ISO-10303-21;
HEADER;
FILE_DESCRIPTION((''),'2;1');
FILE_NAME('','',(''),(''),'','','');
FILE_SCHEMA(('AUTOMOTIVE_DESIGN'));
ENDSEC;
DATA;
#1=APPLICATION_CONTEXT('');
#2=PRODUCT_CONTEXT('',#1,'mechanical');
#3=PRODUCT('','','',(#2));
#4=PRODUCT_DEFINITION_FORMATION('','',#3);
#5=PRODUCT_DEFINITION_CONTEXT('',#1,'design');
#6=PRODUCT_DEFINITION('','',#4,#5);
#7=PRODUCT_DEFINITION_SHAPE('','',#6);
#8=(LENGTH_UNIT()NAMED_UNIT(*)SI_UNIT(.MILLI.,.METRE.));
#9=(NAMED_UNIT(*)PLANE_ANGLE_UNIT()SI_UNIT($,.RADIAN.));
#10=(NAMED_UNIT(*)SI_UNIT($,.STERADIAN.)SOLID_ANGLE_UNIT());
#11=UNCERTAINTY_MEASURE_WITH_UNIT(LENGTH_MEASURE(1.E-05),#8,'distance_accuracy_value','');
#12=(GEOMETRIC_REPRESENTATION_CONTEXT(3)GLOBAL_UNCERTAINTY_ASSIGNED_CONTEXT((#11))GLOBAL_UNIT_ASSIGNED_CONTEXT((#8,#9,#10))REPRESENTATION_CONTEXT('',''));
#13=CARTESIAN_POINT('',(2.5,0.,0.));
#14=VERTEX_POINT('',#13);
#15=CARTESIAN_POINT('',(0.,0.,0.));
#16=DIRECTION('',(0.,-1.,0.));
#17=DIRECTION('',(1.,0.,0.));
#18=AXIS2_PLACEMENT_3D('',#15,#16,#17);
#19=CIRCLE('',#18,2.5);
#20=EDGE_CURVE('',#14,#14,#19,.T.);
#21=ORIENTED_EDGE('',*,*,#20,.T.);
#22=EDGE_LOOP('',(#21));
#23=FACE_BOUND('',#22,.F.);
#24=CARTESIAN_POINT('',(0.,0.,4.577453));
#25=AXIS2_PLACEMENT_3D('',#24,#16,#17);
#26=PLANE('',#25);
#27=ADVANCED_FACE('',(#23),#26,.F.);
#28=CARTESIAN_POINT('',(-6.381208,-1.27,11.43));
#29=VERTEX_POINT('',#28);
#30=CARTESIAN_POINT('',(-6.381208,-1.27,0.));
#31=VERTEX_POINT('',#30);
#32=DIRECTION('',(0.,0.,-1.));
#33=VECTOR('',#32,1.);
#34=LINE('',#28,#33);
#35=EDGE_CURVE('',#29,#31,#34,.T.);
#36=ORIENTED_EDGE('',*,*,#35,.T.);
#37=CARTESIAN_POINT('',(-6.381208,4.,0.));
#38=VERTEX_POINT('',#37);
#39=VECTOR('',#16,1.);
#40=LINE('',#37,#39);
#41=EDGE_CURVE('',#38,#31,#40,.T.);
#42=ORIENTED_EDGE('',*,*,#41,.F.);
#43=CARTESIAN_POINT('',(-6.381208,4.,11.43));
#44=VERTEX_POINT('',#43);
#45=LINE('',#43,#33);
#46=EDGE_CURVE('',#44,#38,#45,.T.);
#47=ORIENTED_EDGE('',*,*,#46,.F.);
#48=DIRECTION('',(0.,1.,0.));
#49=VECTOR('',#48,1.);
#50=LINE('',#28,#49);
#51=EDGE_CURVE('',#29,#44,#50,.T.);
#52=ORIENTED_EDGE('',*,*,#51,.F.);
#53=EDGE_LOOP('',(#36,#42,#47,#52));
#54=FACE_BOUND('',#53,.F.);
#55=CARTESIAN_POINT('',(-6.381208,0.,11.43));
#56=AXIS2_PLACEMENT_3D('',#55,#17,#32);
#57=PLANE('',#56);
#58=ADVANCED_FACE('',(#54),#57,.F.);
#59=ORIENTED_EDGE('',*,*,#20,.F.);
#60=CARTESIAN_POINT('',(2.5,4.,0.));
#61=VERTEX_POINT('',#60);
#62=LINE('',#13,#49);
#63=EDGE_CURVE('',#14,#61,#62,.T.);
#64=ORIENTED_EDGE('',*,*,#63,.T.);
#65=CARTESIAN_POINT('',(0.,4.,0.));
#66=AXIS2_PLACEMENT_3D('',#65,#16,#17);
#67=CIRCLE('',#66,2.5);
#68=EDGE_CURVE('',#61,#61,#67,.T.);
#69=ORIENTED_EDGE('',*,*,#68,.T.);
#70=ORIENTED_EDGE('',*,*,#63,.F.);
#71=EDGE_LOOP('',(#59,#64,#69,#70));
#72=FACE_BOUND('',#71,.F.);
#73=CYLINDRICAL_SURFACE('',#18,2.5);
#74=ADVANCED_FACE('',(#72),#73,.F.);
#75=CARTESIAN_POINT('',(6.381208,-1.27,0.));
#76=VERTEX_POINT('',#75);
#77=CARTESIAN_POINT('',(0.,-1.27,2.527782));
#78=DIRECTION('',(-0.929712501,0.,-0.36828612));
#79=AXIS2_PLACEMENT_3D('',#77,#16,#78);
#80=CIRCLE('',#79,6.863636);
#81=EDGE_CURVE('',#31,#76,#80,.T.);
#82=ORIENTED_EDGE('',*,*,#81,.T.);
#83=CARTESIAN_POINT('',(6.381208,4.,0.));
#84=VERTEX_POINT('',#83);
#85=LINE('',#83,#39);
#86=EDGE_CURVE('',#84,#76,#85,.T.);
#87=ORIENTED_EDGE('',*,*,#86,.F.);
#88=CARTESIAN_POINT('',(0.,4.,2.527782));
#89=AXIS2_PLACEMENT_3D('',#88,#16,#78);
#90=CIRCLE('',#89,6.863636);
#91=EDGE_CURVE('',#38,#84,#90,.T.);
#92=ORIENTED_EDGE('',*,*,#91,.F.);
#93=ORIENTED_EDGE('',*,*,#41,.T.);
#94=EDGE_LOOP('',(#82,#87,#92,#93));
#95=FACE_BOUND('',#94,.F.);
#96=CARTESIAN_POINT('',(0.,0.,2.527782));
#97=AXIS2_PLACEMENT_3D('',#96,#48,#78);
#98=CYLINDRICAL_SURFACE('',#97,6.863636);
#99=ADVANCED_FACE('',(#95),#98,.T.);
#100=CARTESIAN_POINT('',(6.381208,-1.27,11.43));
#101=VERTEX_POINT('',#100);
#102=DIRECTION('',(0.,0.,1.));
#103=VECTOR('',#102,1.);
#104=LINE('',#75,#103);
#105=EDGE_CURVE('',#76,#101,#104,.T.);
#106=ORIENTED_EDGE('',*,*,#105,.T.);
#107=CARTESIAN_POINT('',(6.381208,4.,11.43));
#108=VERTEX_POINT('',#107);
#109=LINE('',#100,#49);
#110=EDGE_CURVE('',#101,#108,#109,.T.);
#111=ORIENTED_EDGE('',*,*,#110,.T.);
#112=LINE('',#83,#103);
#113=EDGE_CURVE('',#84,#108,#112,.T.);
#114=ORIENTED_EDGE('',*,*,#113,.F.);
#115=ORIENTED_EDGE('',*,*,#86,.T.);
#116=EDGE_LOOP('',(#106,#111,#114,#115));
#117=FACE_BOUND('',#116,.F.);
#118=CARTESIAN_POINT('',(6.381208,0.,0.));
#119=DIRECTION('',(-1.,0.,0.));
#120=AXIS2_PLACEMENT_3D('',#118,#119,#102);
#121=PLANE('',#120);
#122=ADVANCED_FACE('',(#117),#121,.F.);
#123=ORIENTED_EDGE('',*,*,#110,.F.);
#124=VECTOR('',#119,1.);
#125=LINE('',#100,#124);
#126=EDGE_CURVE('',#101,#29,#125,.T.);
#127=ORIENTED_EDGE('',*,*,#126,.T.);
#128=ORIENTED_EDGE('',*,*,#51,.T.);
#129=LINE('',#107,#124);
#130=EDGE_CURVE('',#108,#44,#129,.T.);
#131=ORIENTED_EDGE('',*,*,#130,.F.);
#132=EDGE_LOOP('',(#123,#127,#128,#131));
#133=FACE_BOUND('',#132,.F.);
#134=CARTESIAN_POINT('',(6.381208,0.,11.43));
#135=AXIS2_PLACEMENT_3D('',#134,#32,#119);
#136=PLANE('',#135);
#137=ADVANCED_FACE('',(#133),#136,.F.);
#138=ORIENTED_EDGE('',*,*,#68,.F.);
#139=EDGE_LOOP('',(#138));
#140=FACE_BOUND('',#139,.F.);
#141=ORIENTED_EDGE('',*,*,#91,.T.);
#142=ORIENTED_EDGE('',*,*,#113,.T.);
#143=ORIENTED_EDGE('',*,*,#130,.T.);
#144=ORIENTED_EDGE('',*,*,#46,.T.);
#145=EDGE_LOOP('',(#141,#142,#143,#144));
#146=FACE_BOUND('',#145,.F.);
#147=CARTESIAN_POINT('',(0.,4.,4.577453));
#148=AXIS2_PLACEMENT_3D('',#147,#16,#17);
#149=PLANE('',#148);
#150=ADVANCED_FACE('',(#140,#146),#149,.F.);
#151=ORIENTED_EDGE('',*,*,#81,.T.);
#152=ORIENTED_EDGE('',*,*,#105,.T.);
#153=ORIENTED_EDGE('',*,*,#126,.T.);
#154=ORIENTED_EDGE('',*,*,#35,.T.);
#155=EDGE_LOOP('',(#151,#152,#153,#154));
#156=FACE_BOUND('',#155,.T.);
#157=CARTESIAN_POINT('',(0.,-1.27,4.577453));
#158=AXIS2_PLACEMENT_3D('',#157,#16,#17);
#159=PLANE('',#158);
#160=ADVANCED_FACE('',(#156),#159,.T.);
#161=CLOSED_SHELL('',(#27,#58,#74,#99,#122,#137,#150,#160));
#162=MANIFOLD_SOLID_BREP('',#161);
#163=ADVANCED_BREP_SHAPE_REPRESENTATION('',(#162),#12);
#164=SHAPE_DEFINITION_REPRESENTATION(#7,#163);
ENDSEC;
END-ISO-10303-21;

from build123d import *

# Parameters (mm, degrees)
F0_R     = 2.5
F1_DEPTH = 4
F2_DEPTH = 1.27


with BuildPart() as f1:
    # F0 (on Front) → F1 (new body)
    with BuildSketch(Plane.XZ):
        with BuildLine():
            Line((-6.381208, 11.43), (-6.381208, 0))
            ThreePointArc((-6.381208, 0), (0, -4.335854), (6.381208, 0))
            Line((6.381208, 0), (6.381208, 11.43))
            Line((6.381208, 11.43), (-6.381208, 11.43))
        make_face()
        Circle(F0_R, mode=Mode.SUBTRACT)
    extrude(amount=-F1_DEPTH)

    # F0 (on Front) → F2 (join)
    with BuildSketch(Plane.XZ):
        with BuildLine():
            Line((-6.381208, 11.43), (-6.381208, 0))
            ThreePointArc((-6.381208, 0), (0, -4.335854), (6.381208, 0))
            Line((6.381208, 0), (6.381208, 11.43))
            Line((6.381208, 11.43), (-6.381208, 11.43))
        make_face()
        Circle(F0_R, mode=Mode.SUBTRACT)
        Circle(F0_R)
    extrude(amount=F2_DEPTH)


solid = f1.part
